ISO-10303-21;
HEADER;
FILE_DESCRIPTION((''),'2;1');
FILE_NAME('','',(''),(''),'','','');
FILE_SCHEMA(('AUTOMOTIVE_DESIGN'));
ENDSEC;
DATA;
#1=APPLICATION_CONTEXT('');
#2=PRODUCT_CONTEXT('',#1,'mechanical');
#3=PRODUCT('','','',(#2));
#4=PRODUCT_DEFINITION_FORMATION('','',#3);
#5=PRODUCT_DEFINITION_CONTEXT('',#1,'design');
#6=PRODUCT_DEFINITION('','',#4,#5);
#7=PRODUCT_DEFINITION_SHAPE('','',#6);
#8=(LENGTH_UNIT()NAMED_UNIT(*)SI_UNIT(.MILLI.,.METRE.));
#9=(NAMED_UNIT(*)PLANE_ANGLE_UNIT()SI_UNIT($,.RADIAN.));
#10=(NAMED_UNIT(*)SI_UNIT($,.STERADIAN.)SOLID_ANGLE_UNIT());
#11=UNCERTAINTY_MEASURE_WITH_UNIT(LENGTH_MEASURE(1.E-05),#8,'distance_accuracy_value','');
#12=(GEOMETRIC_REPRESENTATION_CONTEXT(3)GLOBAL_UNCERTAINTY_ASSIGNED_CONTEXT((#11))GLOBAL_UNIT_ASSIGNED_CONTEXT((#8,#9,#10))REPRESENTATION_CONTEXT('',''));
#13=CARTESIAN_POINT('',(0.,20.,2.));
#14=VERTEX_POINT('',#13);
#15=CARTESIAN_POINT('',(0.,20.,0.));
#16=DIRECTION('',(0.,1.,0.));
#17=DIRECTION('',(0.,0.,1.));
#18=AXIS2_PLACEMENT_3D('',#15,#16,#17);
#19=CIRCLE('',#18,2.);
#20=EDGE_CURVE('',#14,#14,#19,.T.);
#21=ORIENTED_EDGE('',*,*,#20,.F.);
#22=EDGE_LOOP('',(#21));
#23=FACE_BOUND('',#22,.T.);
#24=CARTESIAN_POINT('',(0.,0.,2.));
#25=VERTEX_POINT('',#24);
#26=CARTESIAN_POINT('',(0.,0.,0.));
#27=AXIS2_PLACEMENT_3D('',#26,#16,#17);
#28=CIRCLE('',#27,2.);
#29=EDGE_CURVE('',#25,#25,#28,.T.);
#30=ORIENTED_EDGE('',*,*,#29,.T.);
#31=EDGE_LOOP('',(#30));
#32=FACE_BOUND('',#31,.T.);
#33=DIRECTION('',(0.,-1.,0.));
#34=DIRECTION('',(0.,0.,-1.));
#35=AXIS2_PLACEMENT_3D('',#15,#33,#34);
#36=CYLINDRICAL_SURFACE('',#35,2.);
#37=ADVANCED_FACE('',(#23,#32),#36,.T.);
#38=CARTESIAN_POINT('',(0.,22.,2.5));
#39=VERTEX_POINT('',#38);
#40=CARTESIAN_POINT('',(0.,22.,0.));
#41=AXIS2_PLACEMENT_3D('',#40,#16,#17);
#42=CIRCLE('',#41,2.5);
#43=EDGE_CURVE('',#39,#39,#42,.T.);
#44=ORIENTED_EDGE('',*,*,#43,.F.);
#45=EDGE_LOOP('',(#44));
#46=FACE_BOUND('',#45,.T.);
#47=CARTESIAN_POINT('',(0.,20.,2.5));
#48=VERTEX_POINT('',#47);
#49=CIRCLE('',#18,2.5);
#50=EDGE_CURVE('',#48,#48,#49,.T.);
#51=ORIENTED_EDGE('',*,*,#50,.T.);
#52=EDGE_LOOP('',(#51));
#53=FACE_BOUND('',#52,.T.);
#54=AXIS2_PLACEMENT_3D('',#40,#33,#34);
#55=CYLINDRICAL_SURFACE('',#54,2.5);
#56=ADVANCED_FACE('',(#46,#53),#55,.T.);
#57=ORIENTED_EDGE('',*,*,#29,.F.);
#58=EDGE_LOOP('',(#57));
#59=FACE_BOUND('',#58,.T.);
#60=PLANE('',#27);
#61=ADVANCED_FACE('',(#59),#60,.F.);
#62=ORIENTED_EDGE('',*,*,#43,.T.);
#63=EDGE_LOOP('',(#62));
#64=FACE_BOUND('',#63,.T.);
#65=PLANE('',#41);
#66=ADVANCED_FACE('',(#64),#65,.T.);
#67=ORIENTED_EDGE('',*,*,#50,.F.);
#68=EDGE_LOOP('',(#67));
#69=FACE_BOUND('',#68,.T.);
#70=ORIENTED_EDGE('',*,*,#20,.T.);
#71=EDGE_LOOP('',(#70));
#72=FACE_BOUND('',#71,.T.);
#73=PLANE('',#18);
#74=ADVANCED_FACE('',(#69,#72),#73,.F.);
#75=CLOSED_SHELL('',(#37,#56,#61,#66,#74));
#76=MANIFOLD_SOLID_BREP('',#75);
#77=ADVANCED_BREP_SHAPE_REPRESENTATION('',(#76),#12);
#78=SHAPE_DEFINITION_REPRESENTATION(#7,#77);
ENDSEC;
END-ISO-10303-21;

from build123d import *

# Parameters (mm, degrees)
SKETCH1_R           = 2
BOSS_EXTRUDE1_DEPTH = 20
SKETCH2_R           = 2.5
BOSS_EXTRUDE2_DEPTH = 2


with BuildPart() as part:
    # Sketch1 → Boss-Extrude1 (new body)
    with BuildSketch(Plane(origin=(0, 0, 0), x_dir=(1, 0, 0), z_dir=(0, 1, 0))):
        Circle(SKETCH1_R)
    extrude(amount=BOSS_EXTRUDE1_DEPTH)

    # Sketch2 → Boss-Extrude2 (add)
    with BuildSketch(Plane(origin=(0, 20, 0), x_dir=(1, 0, 0), z_dir=(0, 1, 0))):
        Circle(SKETCH2_R)
    extrude(amount=BOSS_EXTRUDE2_DEPTH)


solid = part.part
